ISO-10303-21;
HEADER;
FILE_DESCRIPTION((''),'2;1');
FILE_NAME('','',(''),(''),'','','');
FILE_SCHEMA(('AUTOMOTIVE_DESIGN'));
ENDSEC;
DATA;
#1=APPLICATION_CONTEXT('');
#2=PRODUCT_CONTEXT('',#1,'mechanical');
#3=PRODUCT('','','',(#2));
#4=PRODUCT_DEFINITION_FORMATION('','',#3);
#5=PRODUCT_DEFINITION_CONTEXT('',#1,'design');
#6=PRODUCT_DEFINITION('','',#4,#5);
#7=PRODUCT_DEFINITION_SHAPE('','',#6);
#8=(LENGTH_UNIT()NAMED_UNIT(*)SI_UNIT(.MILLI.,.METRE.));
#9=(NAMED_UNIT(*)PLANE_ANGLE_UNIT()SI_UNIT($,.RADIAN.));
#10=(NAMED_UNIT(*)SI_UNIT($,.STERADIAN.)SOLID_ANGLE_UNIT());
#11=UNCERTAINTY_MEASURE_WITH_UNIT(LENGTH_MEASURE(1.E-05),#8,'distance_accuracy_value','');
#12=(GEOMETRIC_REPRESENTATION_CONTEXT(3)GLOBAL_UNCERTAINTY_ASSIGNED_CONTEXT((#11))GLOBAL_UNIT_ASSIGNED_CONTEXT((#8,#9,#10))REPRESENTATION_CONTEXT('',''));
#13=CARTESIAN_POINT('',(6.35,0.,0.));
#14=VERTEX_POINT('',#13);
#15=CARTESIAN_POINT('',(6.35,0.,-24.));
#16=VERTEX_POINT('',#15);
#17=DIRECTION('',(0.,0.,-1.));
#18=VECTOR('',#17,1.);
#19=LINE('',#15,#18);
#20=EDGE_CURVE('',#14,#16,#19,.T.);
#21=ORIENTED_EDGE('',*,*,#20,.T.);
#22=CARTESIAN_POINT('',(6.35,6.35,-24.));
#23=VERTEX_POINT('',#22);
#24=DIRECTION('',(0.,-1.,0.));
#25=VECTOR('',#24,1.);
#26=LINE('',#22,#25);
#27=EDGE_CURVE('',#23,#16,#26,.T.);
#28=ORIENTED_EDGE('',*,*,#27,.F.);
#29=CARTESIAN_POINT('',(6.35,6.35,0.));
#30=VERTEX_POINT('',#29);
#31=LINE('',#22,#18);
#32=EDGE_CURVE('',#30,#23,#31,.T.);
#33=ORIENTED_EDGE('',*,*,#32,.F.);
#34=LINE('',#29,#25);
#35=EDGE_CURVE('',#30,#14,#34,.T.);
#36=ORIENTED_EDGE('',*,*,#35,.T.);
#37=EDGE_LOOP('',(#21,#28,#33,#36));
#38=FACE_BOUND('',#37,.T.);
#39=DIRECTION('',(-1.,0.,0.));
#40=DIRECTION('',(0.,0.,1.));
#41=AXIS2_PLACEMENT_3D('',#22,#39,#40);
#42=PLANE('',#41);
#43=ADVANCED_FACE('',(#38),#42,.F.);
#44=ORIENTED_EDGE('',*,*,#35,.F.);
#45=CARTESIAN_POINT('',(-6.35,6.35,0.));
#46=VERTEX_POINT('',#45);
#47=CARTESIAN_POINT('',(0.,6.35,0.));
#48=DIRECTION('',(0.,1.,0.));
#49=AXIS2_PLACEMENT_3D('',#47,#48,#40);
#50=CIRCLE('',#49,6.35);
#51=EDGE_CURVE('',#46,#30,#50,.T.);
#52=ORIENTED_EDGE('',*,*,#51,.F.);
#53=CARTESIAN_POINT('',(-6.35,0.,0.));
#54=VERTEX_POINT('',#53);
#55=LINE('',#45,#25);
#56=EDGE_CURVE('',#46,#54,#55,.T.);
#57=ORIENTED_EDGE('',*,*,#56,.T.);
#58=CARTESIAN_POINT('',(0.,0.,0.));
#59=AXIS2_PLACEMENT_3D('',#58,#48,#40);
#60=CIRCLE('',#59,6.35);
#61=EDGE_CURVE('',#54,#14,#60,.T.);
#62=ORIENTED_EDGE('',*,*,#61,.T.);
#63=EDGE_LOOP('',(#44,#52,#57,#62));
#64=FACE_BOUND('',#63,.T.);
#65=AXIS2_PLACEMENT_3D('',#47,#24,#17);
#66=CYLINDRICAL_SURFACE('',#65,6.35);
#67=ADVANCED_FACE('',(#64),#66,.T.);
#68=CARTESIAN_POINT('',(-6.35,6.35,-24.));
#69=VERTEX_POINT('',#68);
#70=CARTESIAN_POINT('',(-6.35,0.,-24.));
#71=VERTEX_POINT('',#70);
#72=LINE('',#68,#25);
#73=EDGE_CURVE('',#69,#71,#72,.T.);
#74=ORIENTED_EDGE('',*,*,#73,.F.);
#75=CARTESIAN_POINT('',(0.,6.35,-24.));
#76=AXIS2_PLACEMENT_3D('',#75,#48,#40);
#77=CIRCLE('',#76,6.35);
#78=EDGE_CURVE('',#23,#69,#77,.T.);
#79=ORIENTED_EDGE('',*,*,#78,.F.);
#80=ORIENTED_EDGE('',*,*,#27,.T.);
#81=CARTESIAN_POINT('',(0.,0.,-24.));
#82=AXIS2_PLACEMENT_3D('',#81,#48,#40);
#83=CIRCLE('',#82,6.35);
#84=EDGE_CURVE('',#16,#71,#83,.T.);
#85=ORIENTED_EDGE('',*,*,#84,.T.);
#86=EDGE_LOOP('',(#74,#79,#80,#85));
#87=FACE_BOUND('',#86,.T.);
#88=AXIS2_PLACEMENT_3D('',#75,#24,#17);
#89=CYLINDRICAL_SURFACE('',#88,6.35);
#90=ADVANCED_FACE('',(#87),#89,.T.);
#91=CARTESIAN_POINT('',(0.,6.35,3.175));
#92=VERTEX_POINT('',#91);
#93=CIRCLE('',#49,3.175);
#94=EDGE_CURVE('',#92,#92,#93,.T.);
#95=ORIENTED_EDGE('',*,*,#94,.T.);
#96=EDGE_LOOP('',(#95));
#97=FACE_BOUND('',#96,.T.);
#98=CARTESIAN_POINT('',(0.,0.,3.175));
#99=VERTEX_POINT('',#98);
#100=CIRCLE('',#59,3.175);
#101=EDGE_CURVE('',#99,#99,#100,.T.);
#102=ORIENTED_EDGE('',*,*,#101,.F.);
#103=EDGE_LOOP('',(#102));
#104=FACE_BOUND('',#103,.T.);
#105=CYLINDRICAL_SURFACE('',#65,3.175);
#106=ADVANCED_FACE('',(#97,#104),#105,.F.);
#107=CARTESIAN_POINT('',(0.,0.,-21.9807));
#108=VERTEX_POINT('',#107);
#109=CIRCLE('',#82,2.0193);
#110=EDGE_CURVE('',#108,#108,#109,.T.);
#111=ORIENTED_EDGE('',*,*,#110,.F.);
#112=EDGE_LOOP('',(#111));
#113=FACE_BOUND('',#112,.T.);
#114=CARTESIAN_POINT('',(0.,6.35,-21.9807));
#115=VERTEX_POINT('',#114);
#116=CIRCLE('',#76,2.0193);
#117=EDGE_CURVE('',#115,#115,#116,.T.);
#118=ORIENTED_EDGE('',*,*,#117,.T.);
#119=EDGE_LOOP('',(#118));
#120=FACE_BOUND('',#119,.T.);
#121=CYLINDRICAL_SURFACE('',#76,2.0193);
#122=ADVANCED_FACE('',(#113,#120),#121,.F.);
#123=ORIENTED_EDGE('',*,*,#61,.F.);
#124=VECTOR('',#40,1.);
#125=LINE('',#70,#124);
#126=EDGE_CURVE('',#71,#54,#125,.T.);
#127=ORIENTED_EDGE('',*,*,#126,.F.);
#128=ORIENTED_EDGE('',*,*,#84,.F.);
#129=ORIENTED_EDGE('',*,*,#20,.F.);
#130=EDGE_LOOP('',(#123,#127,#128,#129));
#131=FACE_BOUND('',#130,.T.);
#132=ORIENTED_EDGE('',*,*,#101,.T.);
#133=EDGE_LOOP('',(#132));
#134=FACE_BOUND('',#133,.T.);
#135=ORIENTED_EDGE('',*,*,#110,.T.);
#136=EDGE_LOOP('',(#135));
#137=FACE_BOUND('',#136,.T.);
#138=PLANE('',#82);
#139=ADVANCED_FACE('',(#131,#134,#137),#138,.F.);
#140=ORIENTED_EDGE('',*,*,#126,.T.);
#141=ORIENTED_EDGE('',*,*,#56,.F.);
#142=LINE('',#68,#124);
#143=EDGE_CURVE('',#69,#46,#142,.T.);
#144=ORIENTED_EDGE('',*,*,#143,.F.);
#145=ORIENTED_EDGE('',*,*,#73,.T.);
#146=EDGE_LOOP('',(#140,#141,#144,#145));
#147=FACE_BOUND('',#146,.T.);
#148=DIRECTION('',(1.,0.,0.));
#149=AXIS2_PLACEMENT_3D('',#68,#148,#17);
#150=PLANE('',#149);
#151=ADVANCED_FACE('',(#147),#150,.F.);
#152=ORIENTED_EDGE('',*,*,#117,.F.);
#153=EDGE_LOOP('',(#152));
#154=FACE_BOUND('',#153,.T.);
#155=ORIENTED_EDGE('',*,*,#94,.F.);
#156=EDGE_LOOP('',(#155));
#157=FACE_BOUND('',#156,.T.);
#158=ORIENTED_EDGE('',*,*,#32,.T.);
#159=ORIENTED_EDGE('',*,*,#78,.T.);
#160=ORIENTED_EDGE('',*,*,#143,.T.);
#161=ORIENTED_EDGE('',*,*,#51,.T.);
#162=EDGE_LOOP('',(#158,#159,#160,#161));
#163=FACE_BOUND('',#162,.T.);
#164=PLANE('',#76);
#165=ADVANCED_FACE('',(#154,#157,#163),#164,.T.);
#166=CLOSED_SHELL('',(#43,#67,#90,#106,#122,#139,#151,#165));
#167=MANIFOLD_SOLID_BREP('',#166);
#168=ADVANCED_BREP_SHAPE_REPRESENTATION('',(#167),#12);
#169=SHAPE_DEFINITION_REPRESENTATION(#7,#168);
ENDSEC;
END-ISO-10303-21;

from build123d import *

# Parameters (mm, degrees)
SKETCH1_R              = 3.175
BOSS_EXTRUDE1_DEPTH    = 6.35
F_10_32_TAPPED_HOLE1_D = 4.0386


with BuildPart() as part:
    # Sketch1 → Boss-Extrude1 (new body)
    with BuildSketch(Plane(origin=(0, 0, 0), x_dir=(1, 0, 0), z_dir=(0, 1, 0))):
        with BuildLine():
            Line((6.35, 24), (6.35, 0))
            ThreePointArc((6.35, 0), (0, -6.35), (-6.35, 0))
            Line((-6.35, 0), (-6.35, 24))
            ThreePointArc((-6.35, 24), (0, 30.35), (6.35, 24))
        make_face()
        Circle(SKETCH1_R, mode=Mode.SUBTRACT)
    extrude(amount=BOSS_EXTRUDE1_DEPTH)

    # #10-32 Tapped Hole1 (through all)
    with Locations(Plane(origin=(0, 6.35, 0), x_dir=(1, 0, 0), z_dir=(0, 1, 0))):
        with Locations((0, 24)):
            Hole(F_10_32_TAPPED_HOLE1_D / 2)


solid = part.part
